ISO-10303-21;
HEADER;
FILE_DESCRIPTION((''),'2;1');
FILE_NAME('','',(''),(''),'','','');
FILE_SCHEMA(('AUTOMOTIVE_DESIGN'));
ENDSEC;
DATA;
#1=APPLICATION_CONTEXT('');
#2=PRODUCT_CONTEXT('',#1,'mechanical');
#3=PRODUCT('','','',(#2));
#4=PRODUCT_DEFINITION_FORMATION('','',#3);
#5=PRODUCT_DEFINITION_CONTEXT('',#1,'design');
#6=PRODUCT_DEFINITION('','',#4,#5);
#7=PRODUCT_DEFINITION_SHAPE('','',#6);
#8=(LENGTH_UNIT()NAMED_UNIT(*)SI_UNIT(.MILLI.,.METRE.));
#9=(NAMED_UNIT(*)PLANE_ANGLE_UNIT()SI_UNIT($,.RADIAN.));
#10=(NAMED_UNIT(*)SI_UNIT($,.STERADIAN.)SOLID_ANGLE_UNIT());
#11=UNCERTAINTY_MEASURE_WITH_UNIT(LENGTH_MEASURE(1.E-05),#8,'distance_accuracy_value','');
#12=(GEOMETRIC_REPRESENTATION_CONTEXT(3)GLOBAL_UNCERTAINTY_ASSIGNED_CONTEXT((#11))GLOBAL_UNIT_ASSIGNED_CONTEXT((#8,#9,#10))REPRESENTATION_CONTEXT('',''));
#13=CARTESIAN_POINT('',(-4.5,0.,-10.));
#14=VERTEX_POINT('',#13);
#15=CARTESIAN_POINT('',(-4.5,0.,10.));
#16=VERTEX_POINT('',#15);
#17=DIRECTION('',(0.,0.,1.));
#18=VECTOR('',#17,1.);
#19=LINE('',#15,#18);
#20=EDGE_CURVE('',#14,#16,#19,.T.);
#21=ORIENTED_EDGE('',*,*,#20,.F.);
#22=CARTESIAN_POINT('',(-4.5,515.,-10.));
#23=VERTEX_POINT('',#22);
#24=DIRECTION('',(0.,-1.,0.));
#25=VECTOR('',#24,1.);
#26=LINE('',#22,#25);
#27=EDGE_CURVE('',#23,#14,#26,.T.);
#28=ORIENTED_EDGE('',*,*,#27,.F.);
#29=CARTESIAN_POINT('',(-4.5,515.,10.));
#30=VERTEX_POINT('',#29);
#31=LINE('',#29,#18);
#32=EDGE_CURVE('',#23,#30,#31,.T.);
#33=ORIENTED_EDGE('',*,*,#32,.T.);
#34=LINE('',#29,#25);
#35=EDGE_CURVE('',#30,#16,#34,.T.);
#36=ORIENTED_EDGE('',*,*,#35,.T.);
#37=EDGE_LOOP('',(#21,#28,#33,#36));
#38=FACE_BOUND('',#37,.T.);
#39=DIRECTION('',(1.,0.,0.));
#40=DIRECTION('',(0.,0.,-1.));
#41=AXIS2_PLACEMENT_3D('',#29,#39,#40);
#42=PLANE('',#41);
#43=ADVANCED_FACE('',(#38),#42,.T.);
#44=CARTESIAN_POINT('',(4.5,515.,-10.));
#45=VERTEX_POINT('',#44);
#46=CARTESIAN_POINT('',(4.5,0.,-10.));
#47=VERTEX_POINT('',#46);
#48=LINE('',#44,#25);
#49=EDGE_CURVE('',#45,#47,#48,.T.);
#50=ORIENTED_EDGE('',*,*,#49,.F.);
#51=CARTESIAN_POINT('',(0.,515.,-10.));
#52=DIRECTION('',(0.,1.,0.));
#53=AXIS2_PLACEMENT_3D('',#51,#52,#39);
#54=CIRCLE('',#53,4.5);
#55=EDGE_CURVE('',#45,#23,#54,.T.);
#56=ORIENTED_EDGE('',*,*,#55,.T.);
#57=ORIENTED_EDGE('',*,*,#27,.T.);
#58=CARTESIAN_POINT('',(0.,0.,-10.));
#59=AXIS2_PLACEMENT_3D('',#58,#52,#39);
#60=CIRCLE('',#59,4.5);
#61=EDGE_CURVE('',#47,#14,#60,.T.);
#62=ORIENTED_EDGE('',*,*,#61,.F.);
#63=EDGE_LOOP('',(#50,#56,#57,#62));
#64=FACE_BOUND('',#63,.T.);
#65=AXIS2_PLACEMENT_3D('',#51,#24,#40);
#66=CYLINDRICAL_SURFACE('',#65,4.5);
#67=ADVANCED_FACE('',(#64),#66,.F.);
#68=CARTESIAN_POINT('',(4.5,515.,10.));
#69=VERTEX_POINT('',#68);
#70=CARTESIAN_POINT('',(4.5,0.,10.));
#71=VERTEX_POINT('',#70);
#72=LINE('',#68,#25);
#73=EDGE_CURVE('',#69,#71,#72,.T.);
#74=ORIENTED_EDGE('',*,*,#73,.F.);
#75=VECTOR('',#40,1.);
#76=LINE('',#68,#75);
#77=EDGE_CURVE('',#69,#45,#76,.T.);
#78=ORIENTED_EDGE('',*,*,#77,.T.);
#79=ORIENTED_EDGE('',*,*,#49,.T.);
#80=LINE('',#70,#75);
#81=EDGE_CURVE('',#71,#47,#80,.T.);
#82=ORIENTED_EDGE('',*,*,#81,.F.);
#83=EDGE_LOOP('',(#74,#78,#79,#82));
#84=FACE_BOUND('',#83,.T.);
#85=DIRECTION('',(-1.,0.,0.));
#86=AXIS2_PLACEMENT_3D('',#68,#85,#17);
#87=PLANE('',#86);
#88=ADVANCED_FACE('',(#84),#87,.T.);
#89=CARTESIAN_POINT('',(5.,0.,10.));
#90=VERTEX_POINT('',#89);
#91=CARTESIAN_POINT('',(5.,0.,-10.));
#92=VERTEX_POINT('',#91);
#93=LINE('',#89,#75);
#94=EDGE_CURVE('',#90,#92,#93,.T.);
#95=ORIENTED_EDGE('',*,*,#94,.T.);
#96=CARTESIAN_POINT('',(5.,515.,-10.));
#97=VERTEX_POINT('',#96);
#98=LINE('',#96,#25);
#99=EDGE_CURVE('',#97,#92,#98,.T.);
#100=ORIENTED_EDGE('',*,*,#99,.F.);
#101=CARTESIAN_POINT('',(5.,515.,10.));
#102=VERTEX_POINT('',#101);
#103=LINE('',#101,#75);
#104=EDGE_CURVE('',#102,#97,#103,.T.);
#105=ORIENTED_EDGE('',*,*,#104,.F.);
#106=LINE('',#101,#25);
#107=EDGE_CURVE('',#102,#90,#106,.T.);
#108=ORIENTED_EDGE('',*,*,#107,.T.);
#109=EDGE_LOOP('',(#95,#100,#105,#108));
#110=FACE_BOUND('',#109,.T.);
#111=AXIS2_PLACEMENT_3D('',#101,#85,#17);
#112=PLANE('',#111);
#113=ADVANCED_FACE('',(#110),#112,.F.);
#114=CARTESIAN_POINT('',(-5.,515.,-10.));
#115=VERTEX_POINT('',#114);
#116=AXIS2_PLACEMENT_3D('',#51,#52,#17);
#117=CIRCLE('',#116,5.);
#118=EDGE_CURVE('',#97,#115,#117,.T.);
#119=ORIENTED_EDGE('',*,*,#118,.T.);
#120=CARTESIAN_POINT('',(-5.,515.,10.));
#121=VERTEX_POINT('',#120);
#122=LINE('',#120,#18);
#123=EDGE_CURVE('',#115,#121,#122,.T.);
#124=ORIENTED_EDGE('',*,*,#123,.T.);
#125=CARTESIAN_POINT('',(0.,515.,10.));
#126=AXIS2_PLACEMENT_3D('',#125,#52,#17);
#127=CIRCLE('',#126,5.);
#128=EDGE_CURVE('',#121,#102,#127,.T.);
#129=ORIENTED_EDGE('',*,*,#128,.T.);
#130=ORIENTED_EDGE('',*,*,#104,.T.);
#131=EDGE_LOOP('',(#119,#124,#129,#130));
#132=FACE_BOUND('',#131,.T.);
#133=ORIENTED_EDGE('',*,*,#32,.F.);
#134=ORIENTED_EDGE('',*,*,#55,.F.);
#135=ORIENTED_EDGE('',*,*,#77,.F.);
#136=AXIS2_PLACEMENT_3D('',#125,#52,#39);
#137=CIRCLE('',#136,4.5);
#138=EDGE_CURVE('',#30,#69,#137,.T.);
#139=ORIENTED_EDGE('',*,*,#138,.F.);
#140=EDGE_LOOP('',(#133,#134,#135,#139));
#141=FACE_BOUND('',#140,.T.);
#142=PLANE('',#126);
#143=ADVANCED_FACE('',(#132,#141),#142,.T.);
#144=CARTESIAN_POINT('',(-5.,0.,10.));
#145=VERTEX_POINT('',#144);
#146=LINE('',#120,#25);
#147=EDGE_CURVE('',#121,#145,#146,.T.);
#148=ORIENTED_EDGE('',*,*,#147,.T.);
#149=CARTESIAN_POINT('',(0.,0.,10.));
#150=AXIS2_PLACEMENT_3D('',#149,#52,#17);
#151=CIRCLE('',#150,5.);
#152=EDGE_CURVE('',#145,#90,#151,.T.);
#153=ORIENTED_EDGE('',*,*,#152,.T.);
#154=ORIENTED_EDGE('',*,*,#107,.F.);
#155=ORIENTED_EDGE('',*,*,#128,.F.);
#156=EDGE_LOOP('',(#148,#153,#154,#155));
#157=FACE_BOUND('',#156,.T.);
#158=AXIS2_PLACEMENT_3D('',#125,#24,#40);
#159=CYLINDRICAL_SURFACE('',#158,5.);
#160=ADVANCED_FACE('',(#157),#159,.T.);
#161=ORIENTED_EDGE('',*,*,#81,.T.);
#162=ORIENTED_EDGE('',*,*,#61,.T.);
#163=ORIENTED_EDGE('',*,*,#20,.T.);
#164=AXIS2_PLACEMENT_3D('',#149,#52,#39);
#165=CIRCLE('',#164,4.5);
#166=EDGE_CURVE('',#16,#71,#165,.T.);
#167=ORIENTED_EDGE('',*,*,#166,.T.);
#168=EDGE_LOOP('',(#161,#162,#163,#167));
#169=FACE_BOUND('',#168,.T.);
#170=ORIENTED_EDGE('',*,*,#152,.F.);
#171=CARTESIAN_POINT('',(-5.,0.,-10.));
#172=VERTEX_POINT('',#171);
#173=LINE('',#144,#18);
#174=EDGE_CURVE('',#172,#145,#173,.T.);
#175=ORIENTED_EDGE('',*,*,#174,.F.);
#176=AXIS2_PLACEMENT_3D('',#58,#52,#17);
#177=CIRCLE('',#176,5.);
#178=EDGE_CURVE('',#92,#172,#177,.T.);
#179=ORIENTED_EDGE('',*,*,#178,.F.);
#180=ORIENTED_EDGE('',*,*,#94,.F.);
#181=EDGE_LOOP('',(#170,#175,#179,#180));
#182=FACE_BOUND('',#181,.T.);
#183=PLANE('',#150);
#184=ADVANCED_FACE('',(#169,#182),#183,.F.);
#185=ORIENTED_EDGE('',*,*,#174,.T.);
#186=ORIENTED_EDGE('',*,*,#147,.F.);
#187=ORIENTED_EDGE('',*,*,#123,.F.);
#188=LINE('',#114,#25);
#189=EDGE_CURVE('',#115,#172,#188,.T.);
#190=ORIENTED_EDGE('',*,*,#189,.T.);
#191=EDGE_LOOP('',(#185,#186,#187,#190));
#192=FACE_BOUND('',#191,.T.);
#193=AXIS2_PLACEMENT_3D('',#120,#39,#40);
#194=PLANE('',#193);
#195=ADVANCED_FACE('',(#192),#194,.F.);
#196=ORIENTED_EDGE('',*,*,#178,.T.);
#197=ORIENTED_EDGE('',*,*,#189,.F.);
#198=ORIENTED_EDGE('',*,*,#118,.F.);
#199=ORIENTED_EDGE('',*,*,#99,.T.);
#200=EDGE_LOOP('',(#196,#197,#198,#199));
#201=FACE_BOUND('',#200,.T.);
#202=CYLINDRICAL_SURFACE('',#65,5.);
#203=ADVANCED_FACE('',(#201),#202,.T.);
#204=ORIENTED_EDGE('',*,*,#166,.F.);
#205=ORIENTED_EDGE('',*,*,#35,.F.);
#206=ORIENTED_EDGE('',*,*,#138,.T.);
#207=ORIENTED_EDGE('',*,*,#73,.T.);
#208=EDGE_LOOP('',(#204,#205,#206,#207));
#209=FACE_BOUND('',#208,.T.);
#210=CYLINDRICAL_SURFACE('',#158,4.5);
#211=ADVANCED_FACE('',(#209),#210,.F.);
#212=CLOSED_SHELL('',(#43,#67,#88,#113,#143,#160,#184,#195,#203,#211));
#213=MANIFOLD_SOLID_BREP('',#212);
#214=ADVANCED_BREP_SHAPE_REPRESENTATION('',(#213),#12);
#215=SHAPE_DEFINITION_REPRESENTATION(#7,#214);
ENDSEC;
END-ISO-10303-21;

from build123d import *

# Parameters (mm, degrees)
EXTRUDE_THIN1_DEPTH = 515


with BuildPart() as part:
    # Sketch1 → Extrude-Thin1 (new body)
    with BuildSketch(Plane(origin=(0, 0, 0), x_dir=(1, 0, 0), z_dir=(0, 1, 0))):
        with BuildLine():
            Line((5, 10), (5, -10))
            ThreePointArc((5, -10), (0, -15), (-5, -10))
            Line((-5, -10), (-5, 10))
            ThreePointArc((-5, 10), (0, 15), (5, 10))
        make_face()
        with BuildLine():
            Line((4.5, 10), (4.5, -10))
            ThreePointArc((4.5, -10), (0, -14.5), (-4.5, -10))
            Line((-4.5, -10), (-4.5, 10))
            ThreePointArc((-4.5, 10), (0, 14.5), (4.5, 10))
        make_face(mode=Mode.SUBTRACT)
    extrude(amount=EXTRUDE_THIN1_DEPTH)


solid = part.part
